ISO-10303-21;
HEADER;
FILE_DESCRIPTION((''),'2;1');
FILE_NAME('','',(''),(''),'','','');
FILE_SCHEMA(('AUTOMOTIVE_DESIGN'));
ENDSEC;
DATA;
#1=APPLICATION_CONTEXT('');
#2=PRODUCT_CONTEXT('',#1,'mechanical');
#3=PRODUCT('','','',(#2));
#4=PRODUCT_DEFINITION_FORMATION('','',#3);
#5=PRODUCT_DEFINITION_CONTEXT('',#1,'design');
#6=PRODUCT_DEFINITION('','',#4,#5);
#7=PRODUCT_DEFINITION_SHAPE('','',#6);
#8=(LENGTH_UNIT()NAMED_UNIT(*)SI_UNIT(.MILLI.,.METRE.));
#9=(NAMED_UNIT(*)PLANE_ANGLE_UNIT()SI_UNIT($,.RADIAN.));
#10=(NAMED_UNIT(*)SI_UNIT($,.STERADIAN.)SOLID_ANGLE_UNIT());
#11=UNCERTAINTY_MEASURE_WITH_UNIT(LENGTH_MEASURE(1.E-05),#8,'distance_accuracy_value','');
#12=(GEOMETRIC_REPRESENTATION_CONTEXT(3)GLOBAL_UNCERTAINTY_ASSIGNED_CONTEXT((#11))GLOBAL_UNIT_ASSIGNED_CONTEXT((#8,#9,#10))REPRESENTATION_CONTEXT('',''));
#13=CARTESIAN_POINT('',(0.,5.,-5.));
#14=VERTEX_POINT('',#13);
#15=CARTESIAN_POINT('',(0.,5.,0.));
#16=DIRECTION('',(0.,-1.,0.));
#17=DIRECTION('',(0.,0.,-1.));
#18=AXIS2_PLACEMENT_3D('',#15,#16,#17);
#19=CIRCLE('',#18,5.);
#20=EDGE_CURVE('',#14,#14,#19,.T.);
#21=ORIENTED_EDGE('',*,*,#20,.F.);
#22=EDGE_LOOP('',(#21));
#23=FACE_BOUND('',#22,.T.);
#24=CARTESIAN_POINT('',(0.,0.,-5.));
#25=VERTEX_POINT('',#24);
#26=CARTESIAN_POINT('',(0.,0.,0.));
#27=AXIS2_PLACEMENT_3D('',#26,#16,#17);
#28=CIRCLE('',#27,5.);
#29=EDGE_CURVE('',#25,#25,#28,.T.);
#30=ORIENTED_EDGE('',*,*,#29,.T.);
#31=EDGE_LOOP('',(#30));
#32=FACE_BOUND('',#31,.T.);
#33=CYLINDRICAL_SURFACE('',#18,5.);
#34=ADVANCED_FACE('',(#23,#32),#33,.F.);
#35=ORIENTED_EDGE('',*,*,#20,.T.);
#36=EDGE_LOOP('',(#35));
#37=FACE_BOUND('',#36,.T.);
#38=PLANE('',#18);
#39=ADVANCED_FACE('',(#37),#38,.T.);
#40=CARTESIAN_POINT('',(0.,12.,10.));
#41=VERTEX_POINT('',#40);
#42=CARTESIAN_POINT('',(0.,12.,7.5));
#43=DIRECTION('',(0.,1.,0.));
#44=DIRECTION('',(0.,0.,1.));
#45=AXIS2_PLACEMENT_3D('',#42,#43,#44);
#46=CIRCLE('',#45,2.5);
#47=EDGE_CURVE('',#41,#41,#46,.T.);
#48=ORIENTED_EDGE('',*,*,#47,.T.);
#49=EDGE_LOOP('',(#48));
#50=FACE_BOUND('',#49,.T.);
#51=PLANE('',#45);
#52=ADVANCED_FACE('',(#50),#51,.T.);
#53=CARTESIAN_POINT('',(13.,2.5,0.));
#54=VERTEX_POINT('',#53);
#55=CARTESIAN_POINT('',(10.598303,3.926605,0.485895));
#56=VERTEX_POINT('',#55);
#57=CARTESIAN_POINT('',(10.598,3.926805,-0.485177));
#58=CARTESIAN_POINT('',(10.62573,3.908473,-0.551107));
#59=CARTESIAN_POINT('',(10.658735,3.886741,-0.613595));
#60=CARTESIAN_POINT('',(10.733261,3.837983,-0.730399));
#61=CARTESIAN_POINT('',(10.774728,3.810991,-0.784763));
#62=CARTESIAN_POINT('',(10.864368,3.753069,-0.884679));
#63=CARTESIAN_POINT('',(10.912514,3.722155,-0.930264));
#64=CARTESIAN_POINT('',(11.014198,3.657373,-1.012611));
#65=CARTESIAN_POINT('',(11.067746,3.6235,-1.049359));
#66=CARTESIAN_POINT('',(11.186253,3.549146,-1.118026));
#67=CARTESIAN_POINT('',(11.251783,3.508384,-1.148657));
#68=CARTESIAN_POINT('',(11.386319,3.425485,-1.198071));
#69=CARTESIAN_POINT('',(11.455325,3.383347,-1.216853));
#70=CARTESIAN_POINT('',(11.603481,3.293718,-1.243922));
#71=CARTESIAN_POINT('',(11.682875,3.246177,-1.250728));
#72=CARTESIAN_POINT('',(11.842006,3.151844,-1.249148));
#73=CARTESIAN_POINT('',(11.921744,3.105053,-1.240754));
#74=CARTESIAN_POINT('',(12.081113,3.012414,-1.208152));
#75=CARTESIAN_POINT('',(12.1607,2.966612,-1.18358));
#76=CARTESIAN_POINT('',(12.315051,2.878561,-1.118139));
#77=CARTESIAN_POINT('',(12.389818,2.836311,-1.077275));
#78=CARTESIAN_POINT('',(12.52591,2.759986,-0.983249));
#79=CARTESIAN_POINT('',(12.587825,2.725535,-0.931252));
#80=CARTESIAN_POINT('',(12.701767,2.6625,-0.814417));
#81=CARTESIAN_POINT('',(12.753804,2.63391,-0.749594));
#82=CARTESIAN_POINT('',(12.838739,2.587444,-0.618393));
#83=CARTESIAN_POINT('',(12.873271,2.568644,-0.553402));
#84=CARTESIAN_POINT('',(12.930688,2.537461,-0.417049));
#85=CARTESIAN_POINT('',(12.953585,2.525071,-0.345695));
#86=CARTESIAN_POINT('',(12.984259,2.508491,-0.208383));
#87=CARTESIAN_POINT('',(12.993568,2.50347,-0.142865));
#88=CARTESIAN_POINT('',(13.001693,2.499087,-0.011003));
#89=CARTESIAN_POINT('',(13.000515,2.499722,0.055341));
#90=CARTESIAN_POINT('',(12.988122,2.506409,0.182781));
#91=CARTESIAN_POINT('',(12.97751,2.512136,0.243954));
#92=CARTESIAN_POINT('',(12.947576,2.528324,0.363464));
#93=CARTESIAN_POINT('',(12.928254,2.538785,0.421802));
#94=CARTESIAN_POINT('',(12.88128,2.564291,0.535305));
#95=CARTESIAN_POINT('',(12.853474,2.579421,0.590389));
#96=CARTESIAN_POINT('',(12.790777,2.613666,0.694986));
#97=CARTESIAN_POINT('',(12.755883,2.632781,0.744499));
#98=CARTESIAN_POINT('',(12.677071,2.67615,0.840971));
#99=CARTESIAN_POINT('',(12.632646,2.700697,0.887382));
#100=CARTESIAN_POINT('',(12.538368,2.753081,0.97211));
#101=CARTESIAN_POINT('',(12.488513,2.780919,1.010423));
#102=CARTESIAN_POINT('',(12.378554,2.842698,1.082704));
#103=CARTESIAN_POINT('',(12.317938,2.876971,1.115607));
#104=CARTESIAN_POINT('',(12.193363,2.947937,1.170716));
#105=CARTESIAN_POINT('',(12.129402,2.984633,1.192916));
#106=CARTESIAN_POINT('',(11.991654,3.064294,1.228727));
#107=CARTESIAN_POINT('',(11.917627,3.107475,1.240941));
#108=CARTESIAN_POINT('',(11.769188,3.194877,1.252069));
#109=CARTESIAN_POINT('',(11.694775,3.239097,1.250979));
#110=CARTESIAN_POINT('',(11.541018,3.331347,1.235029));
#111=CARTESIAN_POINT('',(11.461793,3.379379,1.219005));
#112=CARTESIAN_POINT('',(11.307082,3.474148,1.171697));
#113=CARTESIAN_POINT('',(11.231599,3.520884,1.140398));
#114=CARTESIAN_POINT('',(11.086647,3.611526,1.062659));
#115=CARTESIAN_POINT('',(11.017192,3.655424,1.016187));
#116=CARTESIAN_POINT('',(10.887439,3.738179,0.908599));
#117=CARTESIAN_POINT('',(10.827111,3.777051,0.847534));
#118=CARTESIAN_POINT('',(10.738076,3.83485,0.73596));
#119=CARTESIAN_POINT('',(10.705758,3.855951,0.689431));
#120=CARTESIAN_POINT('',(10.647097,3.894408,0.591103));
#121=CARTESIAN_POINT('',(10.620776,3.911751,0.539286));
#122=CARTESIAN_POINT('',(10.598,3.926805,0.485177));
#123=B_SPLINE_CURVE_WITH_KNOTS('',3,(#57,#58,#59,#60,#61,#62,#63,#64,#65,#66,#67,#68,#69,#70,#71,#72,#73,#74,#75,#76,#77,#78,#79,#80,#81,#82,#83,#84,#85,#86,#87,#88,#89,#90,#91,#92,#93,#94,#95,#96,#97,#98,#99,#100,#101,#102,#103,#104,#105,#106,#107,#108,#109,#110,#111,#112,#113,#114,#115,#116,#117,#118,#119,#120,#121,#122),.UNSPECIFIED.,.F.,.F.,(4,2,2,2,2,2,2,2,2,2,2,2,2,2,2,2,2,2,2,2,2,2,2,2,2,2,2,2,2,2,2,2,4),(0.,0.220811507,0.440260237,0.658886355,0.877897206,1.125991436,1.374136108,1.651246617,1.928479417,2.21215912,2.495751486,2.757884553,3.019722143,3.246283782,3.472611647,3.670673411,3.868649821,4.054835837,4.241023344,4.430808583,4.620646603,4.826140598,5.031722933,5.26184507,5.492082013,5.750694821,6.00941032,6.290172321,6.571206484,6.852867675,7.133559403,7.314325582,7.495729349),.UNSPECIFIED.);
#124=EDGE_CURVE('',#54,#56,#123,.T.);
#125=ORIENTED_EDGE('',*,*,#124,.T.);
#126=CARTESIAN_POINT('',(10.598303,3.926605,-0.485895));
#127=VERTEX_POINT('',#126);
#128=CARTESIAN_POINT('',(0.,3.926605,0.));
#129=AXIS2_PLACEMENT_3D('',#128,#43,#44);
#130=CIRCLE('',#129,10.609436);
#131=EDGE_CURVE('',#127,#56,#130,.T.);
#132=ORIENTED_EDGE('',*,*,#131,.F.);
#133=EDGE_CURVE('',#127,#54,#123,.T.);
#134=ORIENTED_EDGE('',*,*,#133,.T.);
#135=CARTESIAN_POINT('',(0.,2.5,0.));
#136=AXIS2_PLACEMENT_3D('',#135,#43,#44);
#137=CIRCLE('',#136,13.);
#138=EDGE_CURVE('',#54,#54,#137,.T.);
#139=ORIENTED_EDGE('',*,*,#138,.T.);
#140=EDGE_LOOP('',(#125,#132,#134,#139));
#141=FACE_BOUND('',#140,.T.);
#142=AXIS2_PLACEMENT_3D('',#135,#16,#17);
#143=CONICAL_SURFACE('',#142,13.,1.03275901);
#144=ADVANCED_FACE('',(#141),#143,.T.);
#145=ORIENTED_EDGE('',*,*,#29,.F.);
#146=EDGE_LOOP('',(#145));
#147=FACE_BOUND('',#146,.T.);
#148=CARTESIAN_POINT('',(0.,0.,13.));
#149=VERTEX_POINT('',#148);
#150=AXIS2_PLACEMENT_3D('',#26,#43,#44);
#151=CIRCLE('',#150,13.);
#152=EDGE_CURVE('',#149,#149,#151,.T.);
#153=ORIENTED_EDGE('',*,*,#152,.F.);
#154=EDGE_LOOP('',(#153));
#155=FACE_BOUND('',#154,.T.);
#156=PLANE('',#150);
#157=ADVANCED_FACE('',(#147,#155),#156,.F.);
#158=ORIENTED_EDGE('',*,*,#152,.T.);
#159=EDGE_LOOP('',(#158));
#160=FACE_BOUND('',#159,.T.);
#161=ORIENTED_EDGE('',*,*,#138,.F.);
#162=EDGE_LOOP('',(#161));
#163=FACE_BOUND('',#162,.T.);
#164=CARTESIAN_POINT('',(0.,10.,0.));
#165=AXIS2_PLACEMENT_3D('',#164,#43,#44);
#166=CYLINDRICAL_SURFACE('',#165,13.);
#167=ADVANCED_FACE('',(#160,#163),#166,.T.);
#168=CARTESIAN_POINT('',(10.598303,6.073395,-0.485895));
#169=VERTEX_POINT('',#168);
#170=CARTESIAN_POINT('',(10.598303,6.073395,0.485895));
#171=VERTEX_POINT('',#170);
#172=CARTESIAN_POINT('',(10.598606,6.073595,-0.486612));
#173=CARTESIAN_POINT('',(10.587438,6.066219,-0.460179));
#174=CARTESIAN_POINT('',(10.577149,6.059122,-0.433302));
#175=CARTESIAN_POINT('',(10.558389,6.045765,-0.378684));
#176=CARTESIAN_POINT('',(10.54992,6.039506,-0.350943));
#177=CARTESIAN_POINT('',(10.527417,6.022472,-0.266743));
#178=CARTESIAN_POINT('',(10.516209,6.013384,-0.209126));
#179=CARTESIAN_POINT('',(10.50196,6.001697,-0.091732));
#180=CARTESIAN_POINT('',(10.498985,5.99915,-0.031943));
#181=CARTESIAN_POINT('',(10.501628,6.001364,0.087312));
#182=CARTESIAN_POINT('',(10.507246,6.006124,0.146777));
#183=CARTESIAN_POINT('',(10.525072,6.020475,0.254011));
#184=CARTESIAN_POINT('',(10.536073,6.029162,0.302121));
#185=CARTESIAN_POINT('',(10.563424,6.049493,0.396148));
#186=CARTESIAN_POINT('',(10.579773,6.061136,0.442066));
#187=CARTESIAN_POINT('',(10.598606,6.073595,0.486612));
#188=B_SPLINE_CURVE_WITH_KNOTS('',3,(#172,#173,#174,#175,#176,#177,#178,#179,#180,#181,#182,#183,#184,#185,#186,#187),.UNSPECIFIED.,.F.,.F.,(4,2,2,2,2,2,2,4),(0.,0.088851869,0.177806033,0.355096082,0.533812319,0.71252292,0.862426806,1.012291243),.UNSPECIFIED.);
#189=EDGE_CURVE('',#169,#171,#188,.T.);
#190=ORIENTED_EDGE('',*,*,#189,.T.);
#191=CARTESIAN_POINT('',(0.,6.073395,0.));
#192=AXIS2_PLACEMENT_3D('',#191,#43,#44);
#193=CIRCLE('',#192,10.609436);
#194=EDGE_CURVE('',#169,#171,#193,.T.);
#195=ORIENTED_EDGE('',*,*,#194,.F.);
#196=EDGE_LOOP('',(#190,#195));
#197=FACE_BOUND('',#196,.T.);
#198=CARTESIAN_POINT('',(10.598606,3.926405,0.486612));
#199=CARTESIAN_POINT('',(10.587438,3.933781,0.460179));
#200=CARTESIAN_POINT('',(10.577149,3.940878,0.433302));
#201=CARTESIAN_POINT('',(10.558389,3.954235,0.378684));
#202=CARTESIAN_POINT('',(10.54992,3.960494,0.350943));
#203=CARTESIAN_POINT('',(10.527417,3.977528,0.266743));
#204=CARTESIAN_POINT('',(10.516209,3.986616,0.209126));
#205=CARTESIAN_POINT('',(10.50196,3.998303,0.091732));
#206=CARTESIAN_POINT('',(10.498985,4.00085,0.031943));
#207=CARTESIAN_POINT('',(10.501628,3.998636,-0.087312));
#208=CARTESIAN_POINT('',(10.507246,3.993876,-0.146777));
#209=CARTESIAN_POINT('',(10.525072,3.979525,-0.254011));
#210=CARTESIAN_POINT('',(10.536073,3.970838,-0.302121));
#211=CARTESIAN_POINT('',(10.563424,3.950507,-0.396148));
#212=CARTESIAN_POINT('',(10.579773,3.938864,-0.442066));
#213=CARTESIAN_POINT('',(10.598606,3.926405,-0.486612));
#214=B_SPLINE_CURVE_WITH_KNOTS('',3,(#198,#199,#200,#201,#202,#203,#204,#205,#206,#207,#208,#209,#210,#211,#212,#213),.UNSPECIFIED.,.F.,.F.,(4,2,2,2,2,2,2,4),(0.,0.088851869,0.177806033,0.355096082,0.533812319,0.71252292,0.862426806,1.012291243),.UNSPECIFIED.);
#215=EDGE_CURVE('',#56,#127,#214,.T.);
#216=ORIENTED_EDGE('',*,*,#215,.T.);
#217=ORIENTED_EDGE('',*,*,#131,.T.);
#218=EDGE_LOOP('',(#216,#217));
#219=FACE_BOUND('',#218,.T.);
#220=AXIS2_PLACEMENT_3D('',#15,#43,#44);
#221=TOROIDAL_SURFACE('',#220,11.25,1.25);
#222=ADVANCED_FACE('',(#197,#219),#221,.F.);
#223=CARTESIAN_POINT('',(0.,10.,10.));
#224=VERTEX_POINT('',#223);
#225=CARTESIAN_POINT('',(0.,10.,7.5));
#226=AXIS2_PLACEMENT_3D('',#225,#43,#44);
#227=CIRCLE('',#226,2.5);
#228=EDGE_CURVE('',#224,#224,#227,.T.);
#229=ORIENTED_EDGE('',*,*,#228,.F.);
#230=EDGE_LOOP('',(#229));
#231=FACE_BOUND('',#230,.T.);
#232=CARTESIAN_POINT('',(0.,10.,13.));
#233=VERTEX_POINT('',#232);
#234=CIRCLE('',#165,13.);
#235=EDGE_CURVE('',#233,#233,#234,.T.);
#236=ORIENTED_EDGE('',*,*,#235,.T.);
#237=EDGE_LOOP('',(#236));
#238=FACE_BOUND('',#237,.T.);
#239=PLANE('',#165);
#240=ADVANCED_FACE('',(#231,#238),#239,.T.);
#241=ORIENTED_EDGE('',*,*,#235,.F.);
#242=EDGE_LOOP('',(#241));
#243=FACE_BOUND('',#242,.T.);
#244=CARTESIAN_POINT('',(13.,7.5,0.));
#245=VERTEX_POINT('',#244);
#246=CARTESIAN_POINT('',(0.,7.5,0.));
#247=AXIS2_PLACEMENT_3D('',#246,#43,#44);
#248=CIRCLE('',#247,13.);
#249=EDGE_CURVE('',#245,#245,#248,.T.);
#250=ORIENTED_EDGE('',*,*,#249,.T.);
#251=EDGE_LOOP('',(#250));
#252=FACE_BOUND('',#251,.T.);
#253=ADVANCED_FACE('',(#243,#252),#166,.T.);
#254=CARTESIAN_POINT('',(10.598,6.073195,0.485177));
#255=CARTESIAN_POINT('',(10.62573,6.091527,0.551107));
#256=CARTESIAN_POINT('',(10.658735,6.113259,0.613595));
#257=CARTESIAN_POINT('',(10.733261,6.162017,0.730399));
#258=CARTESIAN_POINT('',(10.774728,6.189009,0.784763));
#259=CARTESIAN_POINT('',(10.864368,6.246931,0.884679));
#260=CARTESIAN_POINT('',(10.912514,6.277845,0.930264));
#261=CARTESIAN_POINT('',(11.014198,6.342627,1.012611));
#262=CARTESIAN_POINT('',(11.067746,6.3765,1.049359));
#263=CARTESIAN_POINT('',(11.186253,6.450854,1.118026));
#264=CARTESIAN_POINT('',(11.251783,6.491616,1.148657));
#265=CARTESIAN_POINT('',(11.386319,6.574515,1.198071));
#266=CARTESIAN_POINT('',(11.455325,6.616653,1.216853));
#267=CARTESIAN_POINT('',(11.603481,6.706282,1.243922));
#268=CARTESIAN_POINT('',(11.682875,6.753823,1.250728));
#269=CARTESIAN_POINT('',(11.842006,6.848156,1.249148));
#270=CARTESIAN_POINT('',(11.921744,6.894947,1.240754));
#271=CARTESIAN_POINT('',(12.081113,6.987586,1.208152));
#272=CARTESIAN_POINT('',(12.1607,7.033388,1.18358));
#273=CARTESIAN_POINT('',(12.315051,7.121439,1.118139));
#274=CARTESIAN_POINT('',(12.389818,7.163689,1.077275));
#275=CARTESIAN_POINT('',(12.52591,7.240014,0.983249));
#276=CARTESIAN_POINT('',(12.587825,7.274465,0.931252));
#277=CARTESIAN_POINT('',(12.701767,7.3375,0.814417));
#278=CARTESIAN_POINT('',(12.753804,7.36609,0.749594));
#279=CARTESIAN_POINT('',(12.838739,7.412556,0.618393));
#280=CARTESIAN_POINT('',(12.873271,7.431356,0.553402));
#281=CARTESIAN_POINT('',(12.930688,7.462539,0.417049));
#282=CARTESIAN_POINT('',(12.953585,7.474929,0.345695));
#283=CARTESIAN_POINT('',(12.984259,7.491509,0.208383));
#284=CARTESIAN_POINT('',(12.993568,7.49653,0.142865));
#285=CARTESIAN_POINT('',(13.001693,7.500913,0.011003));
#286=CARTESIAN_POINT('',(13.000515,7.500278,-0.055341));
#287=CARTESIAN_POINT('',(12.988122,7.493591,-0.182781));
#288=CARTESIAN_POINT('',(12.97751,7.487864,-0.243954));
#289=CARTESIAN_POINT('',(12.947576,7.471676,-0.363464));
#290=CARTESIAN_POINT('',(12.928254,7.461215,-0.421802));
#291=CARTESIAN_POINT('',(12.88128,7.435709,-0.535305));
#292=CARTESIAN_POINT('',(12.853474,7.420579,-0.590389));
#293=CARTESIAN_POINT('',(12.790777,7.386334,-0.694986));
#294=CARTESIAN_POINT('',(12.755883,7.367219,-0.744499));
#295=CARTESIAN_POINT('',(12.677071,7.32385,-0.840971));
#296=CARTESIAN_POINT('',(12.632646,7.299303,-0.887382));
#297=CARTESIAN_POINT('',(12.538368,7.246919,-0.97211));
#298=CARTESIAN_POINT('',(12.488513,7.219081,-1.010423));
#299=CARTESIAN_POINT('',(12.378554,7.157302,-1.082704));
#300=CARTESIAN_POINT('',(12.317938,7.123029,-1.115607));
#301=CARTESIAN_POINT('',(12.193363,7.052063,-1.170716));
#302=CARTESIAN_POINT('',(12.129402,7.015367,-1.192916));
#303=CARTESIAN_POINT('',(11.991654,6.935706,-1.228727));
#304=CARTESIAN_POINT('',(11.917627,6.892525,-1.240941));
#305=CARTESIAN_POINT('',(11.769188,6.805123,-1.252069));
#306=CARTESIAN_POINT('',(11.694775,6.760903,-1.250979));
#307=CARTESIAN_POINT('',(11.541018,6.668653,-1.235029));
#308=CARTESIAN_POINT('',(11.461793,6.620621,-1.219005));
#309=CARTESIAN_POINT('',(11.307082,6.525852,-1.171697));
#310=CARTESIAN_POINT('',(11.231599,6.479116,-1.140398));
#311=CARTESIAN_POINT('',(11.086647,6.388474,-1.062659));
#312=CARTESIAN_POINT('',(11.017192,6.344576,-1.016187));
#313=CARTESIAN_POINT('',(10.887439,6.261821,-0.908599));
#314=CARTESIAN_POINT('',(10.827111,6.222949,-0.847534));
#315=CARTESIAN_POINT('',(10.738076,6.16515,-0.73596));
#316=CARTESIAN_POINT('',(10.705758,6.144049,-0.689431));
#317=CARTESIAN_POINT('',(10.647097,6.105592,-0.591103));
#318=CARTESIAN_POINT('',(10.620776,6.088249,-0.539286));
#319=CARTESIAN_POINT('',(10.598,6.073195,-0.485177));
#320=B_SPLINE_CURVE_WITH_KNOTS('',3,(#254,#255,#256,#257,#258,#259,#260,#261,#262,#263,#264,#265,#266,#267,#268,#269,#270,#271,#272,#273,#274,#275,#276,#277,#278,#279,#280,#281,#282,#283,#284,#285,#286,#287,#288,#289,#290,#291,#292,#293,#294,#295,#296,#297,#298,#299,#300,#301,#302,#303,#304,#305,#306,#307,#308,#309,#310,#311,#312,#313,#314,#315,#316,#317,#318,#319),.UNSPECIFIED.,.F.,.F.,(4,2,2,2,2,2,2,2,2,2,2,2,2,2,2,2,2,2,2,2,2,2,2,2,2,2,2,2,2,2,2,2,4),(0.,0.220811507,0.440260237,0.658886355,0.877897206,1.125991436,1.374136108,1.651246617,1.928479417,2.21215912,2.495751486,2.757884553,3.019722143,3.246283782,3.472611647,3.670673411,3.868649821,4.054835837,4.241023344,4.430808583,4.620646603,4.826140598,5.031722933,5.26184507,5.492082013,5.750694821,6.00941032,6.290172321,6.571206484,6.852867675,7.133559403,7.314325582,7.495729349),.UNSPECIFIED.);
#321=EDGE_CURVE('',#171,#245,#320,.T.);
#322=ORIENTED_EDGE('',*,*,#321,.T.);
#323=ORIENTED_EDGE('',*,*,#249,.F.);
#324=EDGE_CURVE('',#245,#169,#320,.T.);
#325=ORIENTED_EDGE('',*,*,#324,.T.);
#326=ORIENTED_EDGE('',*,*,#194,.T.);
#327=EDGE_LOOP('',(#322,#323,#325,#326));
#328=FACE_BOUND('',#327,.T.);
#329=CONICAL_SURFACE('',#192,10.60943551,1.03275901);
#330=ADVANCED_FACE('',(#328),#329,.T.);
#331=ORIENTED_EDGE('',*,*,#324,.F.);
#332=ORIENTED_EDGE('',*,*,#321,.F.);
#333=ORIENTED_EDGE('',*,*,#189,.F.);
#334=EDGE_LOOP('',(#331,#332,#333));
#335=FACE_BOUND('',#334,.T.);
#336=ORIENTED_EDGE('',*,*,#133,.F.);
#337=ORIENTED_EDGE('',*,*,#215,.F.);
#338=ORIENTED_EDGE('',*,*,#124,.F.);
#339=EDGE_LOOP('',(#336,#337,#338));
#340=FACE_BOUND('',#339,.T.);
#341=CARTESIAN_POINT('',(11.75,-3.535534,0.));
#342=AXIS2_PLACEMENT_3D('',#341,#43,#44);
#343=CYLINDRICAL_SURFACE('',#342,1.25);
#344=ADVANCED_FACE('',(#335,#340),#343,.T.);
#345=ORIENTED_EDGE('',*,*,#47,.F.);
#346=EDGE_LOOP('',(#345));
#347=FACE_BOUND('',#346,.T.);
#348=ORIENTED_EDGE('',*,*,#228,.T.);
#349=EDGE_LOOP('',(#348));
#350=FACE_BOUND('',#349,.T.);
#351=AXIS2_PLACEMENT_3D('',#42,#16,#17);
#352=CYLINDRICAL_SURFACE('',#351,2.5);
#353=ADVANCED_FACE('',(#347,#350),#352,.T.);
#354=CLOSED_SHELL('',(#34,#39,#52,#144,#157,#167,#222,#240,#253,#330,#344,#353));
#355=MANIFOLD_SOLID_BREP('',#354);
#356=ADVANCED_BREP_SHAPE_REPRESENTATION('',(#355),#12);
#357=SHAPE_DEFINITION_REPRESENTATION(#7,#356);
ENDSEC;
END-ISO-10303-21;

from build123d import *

# Parameters (mm, degrees)
SKETCH1_R           = 10
BOSS_EXTRUDE1_DEPTH = 10
SKETCH3_R           = 5
CUT_EXTRUDE1_DEPTH  = 5
SKETCH4_R           = 2.5
BOSS_EXTRUDE2_DEPTH = 2
SKETCH5_R           = 1.25
BOSS_EXTRUDE3_DEPTH = 10


with BuildPart() as part:
    # Sketch1 → Boss-Extrude1 (new body)
    with BuildSketch(Plane(origin=(0, 0, 0), x_dir=(1, 0, 0), z_dir=(0, 1, 0))):
        Circle(SKETCH1_R)
    extrude(amount=BOSS_EXTRUDE1_DEPTH)

    # Sketch2 → Revolve1 (revolve)
    with BuildSketch(Plane(origin=(0, 0, 0), x_dir=(0, 0, -1), z_dir=(1, 0, 0))):
        with BuildLine():
            Line((10, 10), (13, 10))
            Line((13, 10), (13, 7.5))
            Line((13, 7.5), (10.60943551, 6.073395143))
            ThreePointArc((10.60943551, 6.073395143), (10, 5), (10.60943551, 3.926604857))
            Line((10.60943551, 3.926604857), (13, 2.5))
            Line((13, 2.5), (13, 0))
            Line((13, 0), (10, 0))
            Line((10, 0), (9.25, 0))
            Line((9.25, 0), (9.25, 10))
            Line((9.25, 10), (10, 10))
        make_face()
    revolve(axis=Axis((0, 10, 0), (0, -1, 0)))

    # Sketch3 → Cut-Extrude1 (cut)
    with BuildSketch(Plane.XZ):
        Circle(SKETCH3_R)
    extrude(amount=-CUT_EXTRUDE1_DEPTH, mode=Mode.SUBTRACT)

    # Sketch4 → Boss-Extrude2 (add)
    with BuildSketch(Plane(origin=(0, 10, 0), x_dir=(1, 0, 0), z_dir=(0, 1, 0))):
        with Locations((0, -7.5)):
            Circle(SKETCH4_R)
    extrude(amount=BOSS_EXTRUDE2_DEPTH)

    # Sketch5 → Boss-Extrude3 (add)
    with BuildSketch(Plane(origin=(0, 10, 0), x_dir=(1, 0, 0), z_dir=(0, 1, 0))):
        with Locations((11.75, 0)):
            Circle(SKETCH5_R)
    extrude(amount=-BOSS_EXTRUDE3_DEPTH)


solid = part.part
